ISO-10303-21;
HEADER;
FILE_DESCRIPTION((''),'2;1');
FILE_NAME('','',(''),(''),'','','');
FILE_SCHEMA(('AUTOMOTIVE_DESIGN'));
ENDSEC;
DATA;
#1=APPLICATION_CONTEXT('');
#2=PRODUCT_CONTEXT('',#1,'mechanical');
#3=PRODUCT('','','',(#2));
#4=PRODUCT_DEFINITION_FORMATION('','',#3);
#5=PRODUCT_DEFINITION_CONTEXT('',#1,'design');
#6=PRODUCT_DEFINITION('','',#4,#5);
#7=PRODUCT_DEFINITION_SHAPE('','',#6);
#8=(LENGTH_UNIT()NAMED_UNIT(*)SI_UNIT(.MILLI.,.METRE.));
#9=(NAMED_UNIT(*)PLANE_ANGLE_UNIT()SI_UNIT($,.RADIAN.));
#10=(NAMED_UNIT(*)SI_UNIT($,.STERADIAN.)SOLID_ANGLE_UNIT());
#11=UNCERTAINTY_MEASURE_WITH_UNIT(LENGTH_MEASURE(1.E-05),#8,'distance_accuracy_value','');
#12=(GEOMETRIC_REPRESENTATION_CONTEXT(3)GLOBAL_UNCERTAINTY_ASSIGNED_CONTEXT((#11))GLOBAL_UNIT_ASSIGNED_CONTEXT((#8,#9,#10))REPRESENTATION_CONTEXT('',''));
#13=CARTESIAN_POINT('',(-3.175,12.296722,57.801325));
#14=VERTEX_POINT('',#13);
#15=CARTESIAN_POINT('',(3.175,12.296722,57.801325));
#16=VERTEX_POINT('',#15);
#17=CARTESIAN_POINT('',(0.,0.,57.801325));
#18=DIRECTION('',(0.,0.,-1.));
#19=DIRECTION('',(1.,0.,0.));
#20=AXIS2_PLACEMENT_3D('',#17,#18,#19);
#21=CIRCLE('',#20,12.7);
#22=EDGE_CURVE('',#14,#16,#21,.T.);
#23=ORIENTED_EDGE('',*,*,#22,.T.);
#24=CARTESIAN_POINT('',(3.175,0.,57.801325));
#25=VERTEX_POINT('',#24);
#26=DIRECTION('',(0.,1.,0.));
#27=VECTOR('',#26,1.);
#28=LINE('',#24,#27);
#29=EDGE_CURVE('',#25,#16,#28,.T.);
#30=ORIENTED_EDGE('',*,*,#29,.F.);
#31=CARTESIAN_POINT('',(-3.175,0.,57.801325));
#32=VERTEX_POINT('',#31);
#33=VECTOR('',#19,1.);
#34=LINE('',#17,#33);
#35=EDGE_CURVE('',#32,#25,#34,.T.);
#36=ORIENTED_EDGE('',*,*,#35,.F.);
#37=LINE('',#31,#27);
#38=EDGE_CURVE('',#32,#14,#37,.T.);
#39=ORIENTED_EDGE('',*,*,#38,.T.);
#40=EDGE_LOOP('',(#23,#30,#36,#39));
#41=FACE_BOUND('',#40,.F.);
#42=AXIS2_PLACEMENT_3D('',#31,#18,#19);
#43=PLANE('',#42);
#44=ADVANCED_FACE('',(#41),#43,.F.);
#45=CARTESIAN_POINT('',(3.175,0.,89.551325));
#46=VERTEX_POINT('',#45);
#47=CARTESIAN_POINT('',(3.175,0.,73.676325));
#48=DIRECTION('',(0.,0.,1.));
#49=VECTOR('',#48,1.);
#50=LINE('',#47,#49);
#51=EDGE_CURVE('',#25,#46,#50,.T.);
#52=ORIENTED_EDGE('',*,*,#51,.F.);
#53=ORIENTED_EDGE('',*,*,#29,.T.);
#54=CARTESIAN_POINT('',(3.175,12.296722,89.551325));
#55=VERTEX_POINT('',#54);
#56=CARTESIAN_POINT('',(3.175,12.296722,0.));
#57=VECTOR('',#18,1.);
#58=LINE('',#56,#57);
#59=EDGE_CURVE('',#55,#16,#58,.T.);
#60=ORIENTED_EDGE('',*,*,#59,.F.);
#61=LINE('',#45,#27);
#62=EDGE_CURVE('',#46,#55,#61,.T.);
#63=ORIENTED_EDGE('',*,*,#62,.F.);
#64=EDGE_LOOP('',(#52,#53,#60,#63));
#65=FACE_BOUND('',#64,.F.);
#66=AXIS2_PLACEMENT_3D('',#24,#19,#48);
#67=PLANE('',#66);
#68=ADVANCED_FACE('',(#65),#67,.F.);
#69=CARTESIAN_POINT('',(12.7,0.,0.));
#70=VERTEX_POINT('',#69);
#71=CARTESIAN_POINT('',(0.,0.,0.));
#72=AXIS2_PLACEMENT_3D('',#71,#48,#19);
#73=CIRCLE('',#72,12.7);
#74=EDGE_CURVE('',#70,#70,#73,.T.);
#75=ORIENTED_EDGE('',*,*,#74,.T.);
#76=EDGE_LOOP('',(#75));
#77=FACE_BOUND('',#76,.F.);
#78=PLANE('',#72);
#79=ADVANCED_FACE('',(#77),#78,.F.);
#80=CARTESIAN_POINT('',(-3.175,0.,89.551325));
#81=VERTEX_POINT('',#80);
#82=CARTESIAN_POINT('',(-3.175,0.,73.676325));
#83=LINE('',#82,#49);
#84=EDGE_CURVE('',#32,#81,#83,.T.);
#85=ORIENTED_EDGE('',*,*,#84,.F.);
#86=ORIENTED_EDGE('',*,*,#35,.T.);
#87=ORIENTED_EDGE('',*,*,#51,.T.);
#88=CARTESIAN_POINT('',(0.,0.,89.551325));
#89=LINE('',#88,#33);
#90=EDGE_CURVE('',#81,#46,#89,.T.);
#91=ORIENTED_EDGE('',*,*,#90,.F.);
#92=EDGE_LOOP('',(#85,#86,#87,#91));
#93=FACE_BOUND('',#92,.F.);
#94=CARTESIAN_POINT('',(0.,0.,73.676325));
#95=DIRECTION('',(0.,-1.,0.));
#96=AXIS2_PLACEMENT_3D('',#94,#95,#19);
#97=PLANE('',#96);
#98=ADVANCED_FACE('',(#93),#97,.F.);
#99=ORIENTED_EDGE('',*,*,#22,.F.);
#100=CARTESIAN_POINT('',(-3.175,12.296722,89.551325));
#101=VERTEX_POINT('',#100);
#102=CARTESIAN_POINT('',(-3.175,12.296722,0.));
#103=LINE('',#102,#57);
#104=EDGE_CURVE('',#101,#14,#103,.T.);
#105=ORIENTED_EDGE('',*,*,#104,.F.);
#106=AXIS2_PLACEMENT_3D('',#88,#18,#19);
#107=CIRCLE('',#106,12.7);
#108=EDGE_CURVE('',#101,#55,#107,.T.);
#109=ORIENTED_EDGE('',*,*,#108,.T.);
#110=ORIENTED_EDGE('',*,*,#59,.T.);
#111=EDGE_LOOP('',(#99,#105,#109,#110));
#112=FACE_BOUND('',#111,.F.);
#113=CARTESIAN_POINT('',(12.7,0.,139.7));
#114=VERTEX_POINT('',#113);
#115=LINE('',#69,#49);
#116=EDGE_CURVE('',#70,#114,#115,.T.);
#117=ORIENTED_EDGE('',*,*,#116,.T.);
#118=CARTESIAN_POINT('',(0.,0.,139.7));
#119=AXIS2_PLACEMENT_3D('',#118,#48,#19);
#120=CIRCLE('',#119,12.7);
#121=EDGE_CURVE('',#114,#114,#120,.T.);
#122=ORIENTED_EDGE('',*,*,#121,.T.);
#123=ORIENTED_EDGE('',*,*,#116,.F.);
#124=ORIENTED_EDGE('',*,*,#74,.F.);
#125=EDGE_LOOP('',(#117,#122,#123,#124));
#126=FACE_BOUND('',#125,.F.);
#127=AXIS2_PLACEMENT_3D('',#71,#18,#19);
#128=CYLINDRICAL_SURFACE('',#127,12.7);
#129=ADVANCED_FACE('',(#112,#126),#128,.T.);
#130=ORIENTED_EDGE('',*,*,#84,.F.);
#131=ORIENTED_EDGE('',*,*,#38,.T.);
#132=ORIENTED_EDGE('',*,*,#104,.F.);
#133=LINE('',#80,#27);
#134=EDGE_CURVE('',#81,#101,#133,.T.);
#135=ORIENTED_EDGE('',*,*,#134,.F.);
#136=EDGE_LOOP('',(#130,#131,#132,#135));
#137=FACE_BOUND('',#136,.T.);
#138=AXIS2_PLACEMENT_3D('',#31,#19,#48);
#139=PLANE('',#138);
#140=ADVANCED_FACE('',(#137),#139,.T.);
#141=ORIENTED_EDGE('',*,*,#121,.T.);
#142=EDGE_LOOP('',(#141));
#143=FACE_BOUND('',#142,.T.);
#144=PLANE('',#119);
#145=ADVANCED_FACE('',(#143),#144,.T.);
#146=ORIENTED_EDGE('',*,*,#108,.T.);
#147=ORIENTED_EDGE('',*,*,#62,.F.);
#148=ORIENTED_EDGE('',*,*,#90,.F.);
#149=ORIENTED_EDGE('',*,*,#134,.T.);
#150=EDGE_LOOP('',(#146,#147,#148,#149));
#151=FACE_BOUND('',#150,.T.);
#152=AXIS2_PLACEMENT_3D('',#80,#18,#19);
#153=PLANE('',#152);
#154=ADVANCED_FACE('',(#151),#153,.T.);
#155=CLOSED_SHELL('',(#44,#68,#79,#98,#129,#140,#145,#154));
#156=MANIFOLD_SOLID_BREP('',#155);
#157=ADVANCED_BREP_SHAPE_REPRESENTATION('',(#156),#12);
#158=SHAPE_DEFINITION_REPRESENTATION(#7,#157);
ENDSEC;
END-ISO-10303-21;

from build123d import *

# Parameters (mm, degrees)
F0_R     = 12.7
F1_DEPTH = 139.7
F2_W     = 6.35
F2_H     = 31.75
F3_DEPTH = 30.734


with BuildPart() as f1:
    # F0 (on Top) → F1 (new body)
    with BuildSketch(Plane.XY):
        Circle(F0_R)
    extrude(amount=F1_DEPTH)

    # F2 (on Front) → F3 (cut)
    with BuildSketch(Plane.XZ):
        with Locations((0, 73.676325)):
            Rectangle(F2_W, F2_H)
    extrude(amount=-F3_DEPTH, mode=Mode.SUBTRACT)


solid = f1.part
